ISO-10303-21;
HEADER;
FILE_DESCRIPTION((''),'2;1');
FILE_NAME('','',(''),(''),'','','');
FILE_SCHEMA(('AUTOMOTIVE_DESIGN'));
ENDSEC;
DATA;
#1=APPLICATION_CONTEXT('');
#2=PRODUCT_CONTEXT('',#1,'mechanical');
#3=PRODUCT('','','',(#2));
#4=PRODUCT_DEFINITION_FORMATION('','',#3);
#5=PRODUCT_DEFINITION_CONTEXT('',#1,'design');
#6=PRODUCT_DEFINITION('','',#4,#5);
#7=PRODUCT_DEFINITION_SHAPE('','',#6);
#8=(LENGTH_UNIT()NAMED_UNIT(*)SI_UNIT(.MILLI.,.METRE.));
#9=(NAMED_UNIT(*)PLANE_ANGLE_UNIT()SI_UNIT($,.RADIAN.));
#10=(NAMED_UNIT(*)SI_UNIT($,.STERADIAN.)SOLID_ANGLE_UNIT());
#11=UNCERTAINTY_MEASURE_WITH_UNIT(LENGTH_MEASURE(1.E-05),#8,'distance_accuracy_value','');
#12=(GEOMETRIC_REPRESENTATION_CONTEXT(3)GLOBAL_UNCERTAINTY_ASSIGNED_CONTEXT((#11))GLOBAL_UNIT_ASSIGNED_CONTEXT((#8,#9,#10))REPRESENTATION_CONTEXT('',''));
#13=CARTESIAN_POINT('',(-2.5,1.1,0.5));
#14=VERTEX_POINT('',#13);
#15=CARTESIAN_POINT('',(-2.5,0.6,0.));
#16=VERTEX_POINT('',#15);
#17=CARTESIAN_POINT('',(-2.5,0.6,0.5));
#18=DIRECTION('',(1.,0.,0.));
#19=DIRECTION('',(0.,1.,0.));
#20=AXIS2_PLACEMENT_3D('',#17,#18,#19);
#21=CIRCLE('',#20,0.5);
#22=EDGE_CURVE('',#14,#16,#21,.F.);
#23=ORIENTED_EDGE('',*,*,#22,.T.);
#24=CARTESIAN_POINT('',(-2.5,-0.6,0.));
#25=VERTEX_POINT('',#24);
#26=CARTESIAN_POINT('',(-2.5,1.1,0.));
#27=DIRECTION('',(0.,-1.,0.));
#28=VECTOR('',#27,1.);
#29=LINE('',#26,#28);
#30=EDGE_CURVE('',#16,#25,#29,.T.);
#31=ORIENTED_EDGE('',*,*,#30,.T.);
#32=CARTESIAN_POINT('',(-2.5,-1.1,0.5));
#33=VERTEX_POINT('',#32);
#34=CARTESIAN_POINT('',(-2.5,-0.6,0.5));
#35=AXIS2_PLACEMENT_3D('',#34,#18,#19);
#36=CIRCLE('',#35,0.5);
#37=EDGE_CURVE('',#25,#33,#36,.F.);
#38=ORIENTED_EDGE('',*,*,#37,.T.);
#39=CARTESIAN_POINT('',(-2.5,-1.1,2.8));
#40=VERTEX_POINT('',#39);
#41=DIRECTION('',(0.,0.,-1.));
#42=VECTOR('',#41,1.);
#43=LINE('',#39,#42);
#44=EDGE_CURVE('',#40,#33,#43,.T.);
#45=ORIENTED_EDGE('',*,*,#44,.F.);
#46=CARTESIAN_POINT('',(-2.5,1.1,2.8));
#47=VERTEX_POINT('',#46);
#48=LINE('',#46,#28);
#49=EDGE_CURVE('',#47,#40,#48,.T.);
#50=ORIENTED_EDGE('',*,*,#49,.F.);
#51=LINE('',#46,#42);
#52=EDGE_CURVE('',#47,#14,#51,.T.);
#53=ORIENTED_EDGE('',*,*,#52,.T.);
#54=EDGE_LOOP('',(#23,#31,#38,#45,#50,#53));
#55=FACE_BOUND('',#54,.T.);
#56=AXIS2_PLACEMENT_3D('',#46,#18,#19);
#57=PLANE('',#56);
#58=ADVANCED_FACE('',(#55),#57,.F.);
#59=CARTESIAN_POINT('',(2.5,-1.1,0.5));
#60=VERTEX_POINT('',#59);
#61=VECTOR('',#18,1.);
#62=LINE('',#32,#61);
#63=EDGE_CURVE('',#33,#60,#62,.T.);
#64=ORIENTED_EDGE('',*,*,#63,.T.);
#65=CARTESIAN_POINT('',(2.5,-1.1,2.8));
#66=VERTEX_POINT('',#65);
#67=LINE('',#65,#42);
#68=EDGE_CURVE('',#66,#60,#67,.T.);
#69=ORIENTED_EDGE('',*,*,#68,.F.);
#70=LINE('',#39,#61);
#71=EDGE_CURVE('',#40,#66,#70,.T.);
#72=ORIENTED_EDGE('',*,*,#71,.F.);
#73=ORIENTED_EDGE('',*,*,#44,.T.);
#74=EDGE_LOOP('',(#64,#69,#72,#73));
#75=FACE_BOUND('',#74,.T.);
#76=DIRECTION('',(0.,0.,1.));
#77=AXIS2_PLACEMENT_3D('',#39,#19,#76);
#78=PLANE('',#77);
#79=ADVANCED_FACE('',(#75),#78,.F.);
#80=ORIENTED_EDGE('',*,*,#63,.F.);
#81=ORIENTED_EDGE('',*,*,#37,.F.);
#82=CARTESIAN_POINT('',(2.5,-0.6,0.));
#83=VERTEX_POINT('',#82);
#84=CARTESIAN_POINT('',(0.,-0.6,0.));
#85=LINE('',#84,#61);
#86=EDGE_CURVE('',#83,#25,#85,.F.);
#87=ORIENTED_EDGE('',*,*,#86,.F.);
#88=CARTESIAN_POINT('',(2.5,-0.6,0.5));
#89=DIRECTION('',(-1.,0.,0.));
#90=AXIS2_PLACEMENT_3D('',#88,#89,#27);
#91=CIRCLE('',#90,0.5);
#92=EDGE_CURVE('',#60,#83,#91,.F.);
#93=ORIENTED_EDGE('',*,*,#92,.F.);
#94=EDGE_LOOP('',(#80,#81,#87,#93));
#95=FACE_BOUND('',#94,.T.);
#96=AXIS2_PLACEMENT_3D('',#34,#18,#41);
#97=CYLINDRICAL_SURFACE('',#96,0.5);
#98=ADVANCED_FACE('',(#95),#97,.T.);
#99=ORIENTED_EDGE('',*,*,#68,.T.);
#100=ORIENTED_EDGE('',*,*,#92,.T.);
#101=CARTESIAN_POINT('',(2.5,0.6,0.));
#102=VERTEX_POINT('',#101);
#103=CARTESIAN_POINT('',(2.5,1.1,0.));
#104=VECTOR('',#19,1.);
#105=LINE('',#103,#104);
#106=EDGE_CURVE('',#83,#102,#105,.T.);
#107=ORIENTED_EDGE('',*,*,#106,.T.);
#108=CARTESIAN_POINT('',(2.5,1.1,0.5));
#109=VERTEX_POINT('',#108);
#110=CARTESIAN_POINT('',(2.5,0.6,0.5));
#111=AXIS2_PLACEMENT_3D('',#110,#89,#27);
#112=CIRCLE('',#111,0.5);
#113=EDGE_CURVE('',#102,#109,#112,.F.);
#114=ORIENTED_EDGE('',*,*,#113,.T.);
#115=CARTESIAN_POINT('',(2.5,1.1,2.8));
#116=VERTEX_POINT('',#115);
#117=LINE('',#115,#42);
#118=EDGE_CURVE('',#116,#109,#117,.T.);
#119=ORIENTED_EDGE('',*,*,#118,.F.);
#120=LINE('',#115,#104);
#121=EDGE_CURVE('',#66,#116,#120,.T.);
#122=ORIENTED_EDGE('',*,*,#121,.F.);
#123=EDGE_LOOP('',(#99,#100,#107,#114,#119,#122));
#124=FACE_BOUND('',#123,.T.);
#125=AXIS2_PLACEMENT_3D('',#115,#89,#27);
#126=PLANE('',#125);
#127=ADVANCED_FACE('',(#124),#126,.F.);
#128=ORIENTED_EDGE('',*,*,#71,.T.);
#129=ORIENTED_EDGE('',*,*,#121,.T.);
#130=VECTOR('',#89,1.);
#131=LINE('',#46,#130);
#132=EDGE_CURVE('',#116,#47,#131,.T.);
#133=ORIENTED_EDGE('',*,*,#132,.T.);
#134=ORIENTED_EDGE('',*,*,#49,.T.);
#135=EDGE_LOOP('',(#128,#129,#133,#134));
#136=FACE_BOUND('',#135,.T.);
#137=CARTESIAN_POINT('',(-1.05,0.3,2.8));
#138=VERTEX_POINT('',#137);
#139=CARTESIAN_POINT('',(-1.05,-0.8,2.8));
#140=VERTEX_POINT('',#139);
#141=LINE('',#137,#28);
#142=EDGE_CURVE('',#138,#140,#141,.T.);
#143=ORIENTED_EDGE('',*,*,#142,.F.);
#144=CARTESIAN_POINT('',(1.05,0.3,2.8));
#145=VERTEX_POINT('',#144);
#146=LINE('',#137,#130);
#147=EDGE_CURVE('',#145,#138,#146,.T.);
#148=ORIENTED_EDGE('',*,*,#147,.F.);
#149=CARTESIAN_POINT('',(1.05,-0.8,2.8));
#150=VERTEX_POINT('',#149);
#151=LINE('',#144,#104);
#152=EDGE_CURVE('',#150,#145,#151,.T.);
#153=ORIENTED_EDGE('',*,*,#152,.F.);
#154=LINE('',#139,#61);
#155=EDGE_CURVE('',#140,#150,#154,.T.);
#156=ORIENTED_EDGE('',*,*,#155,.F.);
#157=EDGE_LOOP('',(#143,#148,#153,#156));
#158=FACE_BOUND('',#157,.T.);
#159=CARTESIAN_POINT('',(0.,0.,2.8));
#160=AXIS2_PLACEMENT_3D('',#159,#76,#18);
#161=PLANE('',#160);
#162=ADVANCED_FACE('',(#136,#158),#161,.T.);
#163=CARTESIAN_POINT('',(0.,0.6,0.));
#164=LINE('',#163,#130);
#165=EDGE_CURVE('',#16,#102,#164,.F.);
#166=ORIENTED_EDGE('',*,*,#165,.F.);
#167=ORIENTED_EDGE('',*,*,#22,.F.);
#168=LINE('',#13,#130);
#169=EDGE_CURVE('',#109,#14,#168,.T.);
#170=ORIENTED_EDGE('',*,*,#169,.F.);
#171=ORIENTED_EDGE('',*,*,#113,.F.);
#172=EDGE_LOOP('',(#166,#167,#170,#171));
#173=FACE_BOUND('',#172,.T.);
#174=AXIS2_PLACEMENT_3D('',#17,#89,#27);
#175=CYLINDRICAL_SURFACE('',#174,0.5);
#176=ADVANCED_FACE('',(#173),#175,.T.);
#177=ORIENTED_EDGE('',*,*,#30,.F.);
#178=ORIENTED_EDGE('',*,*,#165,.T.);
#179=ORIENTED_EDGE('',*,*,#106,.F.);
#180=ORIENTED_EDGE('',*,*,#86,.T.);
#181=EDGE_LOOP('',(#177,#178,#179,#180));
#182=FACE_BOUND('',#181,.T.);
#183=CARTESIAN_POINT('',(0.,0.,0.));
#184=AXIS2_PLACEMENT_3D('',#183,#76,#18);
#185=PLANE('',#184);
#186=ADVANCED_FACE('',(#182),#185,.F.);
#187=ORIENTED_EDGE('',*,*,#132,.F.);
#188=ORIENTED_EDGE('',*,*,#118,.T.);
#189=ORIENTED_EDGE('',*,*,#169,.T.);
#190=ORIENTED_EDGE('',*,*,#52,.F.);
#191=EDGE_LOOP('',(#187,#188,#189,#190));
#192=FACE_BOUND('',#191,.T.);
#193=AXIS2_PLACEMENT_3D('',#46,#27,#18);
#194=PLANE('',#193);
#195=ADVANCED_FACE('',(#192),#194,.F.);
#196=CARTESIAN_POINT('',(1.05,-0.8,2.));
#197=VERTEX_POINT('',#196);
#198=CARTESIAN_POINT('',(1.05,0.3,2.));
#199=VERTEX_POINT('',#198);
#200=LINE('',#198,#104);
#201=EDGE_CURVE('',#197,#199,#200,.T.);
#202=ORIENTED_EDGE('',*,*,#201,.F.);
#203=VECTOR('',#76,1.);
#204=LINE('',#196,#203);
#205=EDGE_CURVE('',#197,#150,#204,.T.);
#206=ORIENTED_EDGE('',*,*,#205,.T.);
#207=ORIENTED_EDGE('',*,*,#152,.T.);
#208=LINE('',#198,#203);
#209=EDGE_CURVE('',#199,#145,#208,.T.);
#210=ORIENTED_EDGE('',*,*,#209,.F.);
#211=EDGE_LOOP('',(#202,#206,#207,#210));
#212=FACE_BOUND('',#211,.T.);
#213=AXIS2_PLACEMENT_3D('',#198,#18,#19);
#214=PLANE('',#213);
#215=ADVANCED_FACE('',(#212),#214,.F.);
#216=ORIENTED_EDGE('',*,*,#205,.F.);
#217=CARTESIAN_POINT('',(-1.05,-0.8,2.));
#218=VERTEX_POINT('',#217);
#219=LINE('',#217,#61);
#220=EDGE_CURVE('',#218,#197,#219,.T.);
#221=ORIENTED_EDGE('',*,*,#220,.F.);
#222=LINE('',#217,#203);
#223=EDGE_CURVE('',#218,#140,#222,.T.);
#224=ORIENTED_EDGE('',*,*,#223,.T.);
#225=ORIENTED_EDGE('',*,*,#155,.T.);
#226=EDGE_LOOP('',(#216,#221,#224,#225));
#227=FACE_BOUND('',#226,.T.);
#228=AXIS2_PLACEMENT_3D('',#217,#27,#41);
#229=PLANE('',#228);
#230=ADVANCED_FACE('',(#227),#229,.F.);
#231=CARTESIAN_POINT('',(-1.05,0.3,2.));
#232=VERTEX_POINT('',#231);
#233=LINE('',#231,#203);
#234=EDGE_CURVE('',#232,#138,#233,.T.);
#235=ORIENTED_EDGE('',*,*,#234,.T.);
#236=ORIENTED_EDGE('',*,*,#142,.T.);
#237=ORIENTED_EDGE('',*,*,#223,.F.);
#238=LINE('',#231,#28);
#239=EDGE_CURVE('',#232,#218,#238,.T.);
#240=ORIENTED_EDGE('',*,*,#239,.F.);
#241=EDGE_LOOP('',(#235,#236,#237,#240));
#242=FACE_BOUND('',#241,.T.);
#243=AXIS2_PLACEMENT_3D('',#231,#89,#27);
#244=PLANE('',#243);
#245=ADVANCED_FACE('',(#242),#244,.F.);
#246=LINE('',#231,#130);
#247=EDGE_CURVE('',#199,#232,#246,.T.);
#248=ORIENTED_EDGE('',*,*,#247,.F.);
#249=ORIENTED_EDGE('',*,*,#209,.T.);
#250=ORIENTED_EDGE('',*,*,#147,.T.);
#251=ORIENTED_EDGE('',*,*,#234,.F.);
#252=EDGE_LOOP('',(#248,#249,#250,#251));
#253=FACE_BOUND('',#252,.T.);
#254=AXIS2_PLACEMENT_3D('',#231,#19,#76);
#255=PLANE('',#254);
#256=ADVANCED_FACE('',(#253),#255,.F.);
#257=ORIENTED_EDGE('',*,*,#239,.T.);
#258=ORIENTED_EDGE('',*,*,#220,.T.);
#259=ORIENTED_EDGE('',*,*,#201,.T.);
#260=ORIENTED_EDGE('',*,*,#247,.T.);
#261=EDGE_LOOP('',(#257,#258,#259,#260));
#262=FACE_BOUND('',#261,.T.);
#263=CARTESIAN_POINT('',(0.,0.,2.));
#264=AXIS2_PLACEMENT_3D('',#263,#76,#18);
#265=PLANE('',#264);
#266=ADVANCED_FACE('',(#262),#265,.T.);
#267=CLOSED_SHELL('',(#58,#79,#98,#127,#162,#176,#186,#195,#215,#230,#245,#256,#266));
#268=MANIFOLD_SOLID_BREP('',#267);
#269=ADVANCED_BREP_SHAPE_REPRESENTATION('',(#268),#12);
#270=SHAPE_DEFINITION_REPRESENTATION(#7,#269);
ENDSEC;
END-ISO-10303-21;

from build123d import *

# Parameters (mm, degrees)
SKETCH_1_W          = 5
SKETCH_1_H          = 2.2
EXTRUDE_1_DEPTH     = 2.8
SKETCH_2_W          = 2.1
SKETCH_2_H          = 1.1
CUT_EXTRUDE_1_DEPTH = 0.8
FILLET_1_R          = 0.5


with BuildPart() as part:
    # 草图1 → 凸台-拉伸1 (new body)
    with BuildSketch(Plane.XY):
        Rectangle(SKETCH_1_W, SKETCH_1_H)
    extrude(amount=EXTRUDE_1_DEPTH)

    # 草图2 → 切除-拉伸1 (cut)
    with BuildSketch(Plane.XY.offset(2.8)):
        with Locations((0, -0.25)):
            Rectangle(SKETCH_2_W, SKETCH_2_H)
    extrude(amount=-CUT_EXTRUDE_1_DEPTH, mode=Mode.SUBTRACT)

    # 圆角1
    fillet_1_edges = [part.edges().sort_by_distance(p)[0] for p in [
        (0, -1.1, 0),
        (0, 1.1, 0),
    ]]
    fillet(fillet_1_edges, radius=FILLET_1_R)


solid = part.part
